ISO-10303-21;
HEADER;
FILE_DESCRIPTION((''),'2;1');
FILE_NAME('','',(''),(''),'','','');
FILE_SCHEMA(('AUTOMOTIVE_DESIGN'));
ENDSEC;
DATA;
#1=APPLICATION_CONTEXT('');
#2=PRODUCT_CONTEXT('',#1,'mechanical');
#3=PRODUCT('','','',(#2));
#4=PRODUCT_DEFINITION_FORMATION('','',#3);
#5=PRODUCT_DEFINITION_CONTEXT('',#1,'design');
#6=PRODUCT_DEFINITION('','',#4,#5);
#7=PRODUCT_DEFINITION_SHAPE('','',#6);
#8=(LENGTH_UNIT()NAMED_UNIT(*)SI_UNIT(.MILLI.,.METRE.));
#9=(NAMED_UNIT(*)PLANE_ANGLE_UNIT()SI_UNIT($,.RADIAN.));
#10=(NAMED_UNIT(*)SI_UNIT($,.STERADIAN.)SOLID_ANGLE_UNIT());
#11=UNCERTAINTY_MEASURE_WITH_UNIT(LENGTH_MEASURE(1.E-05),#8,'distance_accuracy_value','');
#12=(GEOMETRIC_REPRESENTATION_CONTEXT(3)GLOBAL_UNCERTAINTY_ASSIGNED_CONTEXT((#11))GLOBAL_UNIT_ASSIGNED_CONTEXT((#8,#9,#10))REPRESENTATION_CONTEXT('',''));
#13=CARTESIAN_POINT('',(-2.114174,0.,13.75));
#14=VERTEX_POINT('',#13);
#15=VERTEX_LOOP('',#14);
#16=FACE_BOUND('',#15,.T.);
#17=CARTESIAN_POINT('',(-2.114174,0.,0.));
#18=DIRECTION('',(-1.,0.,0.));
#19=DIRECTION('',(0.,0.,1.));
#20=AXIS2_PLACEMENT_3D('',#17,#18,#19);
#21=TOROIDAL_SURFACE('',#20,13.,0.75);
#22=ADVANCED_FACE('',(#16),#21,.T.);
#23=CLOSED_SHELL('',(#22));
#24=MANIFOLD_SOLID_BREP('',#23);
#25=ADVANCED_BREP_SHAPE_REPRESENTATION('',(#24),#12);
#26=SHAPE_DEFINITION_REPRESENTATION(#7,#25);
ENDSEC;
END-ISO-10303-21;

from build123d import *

# Parameters (mm, degrees)
SKETCH_5_R = 0.75


with BuildPart() as part:
    # Эскиз5 → Повернуть1 (revolve)
    with BuildSketch(Plane(origin=(0, 0, 0), x_dir=(1, 0, 0), z_dir=(0, 1, 0))):
        with Locations((-2.114173566, 13)):
            Circle(SKETCH_5_R)
    revolve(axis=Axis((-35.861143609, 0, 0), (1, 0, 0)))


solid = part.part
